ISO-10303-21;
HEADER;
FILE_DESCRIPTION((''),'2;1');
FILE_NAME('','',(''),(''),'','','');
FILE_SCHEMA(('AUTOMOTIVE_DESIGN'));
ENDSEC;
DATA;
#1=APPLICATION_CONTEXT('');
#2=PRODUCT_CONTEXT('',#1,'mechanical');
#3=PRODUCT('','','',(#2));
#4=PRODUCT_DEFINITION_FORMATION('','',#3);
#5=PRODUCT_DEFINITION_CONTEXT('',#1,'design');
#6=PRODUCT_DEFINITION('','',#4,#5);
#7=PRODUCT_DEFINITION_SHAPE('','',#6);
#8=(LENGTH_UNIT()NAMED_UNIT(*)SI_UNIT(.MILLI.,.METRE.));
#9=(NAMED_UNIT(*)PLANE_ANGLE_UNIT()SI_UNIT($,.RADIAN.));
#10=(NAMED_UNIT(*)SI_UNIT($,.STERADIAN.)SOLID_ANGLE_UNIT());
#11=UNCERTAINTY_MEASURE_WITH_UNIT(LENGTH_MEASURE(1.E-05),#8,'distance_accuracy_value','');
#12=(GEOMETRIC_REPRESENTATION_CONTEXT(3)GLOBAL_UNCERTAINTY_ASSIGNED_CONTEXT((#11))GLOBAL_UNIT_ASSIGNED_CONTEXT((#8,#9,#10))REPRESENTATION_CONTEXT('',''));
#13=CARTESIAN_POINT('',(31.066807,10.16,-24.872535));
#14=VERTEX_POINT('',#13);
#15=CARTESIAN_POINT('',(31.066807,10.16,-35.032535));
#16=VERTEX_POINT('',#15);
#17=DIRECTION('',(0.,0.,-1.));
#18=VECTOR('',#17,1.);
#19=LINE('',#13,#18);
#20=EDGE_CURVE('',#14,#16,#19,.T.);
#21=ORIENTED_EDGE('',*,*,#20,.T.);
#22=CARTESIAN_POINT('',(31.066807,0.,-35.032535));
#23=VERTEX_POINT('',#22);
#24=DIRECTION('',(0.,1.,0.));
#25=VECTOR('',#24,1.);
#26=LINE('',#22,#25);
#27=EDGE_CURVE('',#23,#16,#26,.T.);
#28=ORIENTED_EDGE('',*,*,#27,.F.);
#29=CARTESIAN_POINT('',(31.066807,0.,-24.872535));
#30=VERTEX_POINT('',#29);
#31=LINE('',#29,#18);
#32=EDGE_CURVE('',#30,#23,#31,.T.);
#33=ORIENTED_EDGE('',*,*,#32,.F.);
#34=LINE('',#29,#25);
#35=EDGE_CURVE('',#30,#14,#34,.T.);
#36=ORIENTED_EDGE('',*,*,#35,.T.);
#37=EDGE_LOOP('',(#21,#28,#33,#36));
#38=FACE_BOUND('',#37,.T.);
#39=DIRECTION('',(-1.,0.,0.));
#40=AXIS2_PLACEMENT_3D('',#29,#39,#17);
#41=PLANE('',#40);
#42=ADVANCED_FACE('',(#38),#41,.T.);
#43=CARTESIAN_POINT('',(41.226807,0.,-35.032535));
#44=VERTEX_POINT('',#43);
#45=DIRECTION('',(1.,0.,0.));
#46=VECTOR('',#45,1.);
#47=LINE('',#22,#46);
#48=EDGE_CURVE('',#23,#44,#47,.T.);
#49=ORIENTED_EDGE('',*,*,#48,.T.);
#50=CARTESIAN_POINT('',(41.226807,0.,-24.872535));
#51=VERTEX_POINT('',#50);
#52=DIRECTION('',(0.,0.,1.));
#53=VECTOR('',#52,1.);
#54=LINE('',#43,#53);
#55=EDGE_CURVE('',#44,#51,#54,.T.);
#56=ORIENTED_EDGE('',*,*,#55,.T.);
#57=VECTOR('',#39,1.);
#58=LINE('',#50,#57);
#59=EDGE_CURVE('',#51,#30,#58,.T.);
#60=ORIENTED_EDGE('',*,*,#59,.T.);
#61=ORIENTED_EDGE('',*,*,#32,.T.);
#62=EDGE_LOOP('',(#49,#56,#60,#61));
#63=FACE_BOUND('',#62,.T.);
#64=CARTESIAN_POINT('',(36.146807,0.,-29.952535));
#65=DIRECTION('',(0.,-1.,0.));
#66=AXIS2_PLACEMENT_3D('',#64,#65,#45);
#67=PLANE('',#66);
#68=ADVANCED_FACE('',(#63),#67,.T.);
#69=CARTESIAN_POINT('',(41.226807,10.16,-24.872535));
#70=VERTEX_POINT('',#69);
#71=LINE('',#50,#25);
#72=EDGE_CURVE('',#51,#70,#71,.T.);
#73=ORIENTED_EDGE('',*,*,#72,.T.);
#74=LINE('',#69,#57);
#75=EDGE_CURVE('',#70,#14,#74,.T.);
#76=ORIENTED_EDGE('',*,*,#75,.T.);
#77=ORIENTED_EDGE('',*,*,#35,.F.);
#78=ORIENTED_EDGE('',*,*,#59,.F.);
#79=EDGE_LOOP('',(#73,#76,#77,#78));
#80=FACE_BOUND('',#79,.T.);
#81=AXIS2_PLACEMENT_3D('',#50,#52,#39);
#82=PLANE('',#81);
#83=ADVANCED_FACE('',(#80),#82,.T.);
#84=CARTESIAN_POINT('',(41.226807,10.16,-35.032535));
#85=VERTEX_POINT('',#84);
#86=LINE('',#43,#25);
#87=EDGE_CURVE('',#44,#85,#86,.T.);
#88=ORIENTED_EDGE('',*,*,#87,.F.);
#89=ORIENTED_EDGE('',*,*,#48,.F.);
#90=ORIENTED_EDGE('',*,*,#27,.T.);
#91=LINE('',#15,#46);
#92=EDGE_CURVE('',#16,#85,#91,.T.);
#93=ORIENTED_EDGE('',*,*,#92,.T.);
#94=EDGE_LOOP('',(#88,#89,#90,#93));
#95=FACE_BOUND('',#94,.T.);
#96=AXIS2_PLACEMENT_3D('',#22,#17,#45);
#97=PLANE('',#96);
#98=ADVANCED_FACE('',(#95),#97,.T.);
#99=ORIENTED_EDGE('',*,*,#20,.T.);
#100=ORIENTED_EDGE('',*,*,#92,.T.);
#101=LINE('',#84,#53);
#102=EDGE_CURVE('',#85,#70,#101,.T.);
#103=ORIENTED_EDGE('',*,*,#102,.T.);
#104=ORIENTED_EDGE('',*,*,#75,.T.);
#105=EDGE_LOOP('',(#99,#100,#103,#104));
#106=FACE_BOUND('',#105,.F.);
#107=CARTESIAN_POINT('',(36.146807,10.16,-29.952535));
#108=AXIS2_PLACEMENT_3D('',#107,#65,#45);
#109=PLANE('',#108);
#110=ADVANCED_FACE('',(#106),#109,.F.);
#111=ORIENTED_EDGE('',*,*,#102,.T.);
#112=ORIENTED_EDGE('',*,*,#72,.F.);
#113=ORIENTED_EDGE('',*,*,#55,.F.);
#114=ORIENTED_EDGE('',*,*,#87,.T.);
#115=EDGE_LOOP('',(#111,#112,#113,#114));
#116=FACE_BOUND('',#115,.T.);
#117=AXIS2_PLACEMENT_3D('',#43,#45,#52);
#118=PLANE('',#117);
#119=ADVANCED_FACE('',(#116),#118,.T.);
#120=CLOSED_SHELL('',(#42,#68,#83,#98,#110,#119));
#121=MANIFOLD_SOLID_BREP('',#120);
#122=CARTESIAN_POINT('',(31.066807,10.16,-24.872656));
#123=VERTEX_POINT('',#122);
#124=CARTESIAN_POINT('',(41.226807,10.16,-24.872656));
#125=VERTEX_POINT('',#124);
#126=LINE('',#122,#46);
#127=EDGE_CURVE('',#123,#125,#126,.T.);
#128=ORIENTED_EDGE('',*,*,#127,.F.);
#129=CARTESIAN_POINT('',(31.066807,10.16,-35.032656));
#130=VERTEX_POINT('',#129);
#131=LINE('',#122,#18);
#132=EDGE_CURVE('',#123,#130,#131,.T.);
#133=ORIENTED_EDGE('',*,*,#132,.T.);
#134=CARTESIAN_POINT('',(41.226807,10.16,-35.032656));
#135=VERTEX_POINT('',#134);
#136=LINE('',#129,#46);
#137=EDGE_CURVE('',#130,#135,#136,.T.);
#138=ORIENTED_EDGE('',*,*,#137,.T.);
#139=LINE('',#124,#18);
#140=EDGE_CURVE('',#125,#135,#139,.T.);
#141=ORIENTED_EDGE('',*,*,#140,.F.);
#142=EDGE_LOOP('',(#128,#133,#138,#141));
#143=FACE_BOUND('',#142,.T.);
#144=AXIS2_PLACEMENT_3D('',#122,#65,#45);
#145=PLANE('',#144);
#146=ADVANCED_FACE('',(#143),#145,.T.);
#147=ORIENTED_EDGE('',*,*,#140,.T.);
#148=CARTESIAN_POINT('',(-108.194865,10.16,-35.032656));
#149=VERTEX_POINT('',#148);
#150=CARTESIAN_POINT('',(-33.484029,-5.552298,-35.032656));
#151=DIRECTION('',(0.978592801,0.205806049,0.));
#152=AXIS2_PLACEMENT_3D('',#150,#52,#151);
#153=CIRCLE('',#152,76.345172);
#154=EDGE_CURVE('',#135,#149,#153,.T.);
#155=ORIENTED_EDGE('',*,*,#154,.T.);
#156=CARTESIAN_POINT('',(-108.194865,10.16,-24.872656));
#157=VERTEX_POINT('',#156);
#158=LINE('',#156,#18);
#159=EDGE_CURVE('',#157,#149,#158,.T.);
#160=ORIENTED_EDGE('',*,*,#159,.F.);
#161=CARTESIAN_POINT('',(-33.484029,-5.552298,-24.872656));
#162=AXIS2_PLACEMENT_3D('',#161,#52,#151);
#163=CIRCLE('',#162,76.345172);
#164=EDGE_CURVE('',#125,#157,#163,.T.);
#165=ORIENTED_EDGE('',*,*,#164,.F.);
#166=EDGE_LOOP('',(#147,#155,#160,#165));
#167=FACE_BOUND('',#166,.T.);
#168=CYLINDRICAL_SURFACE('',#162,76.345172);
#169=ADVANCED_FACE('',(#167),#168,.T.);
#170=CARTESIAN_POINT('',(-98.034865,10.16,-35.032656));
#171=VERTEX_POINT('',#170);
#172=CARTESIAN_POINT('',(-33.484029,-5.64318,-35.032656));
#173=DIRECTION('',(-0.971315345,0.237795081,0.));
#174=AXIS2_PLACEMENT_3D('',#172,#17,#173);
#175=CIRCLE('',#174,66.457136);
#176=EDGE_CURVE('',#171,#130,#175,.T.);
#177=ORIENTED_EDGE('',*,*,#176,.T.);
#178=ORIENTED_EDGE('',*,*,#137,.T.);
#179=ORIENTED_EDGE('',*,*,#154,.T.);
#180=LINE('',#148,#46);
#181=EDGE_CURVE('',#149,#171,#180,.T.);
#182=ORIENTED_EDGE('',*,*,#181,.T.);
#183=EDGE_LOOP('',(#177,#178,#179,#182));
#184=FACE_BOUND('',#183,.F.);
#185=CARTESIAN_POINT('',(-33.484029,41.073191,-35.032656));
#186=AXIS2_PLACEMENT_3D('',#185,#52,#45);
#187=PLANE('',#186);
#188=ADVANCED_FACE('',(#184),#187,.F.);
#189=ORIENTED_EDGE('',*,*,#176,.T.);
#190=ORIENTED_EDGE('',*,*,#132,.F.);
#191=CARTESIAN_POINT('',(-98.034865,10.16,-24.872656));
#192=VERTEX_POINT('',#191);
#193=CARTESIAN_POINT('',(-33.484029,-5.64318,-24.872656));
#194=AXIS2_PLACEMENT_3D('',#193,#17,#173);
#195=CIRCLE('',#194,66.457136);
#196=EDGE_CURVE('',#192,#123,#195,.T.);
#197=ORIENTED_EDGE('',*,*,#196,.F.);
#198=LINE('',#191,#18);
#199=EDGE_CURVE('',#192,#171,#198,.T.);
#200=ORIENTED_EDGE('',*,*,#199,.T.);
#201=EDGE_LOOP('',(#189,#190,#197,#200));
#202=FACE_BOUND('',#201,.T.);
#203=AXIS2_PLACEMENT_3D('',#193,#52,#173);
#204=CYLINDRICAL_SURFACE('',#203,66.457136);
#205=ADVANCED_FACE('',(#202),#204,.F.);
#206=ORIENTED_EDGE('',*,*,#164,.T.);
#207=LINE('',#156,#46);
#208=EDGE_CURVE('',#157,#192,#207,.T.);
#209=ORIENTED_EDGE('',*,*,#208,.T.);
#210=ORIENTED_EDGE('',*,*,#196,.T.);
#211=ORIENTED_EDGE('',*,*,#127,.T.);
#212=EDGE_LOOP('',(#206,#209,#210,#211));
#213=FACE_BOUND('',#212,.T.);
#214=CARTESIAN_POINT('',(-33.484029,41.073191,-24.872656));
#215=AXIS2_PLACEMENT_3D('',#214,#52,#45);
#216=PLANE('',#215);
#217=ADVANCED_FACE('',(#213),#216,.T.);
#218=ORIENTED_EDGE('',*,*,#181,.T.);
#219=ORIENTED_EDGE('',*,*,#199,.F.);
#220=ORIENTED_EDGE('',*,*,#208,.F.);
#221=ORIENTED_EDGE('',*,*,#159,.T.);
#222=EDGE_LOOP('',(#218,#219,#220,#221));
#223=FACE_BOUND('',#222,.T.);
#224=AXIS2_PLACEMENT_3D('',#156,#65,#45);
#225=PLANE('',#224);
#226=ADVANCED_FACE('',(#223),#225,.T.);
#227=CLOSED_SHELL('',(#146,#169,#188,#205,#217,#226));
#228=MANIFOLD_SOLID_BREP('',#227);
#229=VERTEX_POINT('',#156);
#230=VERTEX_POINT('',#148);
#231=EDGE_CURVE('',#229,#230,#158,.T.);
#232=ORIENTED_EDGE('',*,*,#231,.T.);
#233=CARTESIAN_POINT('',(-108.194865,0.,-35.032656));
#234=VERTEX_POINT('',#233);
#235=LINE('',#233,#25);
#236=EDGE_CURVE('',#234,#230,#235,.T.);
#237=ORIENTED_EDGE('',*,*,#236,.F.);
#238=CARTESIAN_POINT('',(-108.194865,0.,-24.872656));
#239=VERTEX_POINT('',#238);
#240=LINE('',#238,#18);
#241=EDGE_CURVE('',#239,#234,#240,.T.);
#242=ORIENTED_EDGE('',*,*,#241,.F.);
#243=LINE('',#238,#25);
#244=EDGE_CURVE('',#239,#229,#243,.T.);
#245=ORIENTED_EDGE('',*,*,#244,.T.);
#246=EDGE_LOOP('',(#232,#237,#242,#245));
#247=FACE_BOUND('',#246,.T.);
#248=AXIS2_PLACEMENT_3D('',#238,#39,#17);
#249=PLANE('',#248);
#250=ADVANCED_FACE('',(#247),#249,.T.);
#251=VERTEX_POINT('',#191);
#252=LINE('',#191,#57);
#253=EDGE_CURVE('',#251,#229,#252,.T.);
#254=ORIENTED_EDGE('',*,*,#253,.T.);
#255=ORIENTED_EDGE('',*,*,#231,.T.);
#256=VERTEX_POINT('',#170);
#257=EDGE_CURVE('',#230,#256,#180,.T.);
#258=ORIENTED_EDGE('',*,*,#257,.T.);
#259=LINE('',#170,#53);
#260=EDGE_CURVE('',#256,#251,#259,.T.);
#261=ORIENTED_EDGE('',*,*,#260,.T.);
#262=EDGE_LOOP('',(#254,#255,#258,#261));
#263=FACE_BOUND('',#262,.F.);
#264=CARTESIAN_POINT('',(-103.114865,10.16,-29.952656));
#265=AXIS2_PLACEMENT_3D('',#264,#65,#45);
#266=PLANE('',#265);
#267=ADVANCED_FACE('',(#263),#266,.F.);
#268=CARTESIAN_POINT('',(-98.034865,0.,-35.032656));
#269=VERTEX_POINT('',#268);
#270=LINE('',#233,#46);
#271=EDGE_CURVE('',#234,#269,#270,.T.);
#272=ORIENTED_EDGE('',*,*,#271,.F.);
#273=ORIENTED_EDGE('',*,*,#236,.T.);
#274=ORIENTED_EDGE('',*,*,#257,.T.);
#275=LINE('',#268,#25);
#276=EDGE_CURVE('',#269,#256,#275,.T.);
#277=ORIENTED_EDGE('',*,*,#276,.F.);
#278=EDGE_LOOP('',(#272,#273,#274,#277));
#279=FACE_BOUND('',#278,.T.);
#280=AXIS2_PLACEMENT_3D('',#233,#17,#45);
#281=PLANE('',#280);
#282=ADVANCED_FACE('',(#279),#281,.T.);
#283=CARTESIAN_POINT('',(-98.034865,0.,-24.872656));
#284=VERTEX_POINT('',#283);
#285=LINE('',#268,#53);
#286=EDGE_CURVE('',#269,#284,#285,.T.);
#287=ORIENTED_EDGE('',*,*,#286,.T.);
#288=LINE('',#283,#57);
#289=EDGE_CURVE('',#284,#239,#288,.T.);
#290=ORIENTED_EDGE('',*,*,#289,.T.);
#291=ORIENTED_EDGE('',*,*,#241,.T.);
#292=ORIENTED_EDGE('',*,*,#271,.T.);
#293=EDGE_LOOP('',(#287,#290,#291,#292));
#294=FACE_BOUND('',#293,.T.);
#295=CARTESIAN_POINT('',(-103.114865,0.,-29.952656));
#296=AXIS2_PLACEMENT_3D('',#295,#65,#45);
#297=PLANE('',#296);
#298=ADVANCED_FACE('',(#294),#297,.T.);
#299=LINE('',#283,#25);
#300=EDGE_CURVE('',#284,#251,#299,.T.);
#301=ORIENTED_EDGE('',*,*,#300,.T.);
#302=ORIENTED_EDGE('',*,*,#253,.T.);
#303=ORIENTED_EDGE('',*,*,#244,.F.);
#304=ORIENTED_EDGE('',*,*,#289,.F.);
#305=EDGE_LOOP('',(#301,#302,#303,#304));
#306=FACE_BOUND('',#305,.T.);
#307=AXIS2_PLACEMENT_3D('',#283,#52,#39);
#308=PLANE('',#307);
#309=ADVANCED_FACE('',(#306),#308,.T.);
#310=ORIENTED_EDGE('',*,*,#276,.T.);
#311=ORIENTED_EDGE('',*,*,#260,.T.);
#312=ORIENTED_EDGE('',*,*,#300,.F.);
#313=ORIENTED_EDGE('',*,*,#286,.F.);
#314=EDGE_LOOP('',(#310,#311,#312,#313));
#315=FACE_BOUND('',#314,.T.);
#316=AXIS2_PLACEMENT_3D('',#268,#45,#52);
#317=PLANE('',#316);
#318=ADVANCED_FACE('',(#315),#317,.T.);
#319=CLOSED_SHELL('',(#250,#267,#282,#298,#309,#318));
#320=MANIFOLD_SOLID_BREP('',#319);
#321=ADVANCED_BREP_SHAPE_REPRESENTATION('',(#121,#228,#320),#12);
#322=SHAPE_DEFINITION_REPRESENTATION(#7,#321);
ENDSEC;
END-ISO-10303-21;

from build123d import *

# Parameters (mm, degrees)
F1_DEPTH = 10.16
F3_DEPTH = 10.16


with BuildPart() as f1:
    # F0 (on Front) → F1 (new body)
    with BuildSketch(Plane.XZ):
        Polygon((-108.194865, -24.872656), (-108.194865, -35.032656), (-98.034865, -35.032656), (-98.034865, -24.872656), (-103.114865, -24.872656), align=None)
        Polygon((31.066807, -24.872535), (31.066807, -35.032535), (41.226807, -35.032535), (41.226807, -24.872535), (36.146807, -24.872535), align=None)
    extrude(amount=-F1_DEPTH)


with BuildPart() as f3:
    # F2 (on face) → F3 (new body)
    with BuildSketch(Plane.XY.offset(-24.872656)):
        with BuildLine():
            Line((-108.194865, 10.16), (-98.034865, 10.16))
            ThreePointArc((-98.034865, 10.16), (-33.484029, 60.813956), (31.066807, 10.16))
            Line((31.066807, 10.16), (41.226807, 10.16))
            ThreePointArc((41.226807, 10.16), (-33.484029, 70.792874), (-108.194865, 10.16))
        make_face()
    extrude(amount=-F3_DEPTH)


solid = Compound([f1.part, f3.part])
